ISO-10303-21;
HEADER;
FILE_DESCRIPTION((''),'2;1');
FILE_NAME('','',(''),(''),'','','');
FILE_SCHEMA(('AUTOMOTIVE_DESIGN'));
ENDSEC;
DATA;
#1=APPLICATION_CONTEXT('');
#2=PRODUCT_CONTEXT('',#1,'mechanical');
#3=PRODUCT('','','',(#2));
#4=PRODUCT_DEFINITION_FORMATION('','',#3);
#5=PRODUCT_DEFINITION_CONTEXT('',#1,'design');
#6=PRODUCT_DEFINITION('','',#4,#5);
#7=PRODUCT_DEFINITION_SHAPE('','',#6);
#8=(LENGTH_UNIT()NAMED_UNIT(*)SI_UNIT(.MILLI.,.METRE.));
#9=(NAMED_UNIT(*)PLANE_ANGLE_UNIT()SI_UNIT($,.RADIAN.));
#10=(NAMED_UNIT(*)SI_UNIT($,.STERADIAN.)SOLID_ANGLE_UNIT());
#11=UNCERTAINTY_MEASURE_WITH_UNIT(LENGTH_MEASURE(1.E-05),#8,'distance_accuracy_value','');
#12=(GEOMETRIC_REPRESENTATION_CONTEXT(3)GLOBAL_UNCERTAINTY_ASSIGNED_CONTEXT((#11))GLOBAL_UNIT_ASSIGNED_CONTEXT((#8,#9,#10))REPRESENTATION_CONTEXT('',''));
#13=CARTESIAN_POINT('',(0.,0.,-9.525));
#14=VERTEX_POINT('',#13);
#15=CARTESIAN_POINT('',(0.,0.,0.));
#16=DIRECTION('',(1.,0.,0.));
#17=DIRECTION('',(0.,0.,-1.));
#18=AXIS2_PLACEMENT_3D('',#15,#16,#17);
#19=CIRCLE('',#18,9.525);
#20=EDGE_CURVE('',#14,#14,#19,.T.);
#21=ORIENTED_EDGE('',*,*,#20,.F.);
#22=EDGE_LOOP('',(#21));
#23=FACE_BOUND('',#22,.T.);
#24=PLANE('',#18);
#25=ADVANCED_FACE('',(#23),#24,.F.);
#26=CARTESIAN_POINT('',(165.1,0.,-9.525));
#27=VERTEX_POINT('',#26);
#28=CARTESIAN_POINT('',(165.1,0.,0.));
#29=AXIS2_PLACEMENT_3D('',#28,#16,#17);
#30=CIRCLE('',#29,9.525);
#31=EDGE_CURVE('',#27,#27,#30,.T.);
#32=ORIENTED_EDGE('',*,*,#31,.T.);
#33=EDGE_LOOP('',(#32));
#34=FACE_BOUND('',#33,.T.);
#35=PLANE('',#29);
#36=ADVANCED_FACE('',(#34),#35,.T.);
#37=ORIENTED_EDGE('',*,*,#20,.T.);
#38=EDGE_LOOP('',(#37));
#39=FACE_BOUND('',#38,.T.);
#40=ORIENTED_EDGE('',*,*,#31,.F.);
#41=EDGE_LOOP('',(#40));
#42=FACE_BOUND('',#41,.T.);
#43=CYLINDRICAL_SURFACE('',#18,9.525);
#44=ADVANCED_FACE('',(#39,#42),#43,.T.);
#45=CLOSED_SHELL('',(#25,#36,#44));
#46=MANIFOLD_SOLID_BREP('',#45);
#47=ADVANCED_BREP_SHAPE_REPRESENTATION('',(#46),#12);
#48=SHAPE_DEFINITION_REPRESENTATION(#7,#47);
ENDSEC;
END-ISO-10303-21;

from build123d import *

# Parameters (mm, degrees)
CROQUIS2_R = 9.525


with BuildPart() as part:
    # Barrer1: sweep along a path in Croquis1
    with BuildLine(Plane.XY) as barrer1_path:
        Line((0, 0), (165.1, 0))
    # Croquis2 → Barrer1 (sweep)
    with BuildSketch(Plane(origin=(0, 0, 0), x_dir=(0, 0, -1), z_dir=(1, 0, 0))):
        Circle(CROQUIS2_R)
    sweep(path=barrer1_path.line)


solid = part.part
